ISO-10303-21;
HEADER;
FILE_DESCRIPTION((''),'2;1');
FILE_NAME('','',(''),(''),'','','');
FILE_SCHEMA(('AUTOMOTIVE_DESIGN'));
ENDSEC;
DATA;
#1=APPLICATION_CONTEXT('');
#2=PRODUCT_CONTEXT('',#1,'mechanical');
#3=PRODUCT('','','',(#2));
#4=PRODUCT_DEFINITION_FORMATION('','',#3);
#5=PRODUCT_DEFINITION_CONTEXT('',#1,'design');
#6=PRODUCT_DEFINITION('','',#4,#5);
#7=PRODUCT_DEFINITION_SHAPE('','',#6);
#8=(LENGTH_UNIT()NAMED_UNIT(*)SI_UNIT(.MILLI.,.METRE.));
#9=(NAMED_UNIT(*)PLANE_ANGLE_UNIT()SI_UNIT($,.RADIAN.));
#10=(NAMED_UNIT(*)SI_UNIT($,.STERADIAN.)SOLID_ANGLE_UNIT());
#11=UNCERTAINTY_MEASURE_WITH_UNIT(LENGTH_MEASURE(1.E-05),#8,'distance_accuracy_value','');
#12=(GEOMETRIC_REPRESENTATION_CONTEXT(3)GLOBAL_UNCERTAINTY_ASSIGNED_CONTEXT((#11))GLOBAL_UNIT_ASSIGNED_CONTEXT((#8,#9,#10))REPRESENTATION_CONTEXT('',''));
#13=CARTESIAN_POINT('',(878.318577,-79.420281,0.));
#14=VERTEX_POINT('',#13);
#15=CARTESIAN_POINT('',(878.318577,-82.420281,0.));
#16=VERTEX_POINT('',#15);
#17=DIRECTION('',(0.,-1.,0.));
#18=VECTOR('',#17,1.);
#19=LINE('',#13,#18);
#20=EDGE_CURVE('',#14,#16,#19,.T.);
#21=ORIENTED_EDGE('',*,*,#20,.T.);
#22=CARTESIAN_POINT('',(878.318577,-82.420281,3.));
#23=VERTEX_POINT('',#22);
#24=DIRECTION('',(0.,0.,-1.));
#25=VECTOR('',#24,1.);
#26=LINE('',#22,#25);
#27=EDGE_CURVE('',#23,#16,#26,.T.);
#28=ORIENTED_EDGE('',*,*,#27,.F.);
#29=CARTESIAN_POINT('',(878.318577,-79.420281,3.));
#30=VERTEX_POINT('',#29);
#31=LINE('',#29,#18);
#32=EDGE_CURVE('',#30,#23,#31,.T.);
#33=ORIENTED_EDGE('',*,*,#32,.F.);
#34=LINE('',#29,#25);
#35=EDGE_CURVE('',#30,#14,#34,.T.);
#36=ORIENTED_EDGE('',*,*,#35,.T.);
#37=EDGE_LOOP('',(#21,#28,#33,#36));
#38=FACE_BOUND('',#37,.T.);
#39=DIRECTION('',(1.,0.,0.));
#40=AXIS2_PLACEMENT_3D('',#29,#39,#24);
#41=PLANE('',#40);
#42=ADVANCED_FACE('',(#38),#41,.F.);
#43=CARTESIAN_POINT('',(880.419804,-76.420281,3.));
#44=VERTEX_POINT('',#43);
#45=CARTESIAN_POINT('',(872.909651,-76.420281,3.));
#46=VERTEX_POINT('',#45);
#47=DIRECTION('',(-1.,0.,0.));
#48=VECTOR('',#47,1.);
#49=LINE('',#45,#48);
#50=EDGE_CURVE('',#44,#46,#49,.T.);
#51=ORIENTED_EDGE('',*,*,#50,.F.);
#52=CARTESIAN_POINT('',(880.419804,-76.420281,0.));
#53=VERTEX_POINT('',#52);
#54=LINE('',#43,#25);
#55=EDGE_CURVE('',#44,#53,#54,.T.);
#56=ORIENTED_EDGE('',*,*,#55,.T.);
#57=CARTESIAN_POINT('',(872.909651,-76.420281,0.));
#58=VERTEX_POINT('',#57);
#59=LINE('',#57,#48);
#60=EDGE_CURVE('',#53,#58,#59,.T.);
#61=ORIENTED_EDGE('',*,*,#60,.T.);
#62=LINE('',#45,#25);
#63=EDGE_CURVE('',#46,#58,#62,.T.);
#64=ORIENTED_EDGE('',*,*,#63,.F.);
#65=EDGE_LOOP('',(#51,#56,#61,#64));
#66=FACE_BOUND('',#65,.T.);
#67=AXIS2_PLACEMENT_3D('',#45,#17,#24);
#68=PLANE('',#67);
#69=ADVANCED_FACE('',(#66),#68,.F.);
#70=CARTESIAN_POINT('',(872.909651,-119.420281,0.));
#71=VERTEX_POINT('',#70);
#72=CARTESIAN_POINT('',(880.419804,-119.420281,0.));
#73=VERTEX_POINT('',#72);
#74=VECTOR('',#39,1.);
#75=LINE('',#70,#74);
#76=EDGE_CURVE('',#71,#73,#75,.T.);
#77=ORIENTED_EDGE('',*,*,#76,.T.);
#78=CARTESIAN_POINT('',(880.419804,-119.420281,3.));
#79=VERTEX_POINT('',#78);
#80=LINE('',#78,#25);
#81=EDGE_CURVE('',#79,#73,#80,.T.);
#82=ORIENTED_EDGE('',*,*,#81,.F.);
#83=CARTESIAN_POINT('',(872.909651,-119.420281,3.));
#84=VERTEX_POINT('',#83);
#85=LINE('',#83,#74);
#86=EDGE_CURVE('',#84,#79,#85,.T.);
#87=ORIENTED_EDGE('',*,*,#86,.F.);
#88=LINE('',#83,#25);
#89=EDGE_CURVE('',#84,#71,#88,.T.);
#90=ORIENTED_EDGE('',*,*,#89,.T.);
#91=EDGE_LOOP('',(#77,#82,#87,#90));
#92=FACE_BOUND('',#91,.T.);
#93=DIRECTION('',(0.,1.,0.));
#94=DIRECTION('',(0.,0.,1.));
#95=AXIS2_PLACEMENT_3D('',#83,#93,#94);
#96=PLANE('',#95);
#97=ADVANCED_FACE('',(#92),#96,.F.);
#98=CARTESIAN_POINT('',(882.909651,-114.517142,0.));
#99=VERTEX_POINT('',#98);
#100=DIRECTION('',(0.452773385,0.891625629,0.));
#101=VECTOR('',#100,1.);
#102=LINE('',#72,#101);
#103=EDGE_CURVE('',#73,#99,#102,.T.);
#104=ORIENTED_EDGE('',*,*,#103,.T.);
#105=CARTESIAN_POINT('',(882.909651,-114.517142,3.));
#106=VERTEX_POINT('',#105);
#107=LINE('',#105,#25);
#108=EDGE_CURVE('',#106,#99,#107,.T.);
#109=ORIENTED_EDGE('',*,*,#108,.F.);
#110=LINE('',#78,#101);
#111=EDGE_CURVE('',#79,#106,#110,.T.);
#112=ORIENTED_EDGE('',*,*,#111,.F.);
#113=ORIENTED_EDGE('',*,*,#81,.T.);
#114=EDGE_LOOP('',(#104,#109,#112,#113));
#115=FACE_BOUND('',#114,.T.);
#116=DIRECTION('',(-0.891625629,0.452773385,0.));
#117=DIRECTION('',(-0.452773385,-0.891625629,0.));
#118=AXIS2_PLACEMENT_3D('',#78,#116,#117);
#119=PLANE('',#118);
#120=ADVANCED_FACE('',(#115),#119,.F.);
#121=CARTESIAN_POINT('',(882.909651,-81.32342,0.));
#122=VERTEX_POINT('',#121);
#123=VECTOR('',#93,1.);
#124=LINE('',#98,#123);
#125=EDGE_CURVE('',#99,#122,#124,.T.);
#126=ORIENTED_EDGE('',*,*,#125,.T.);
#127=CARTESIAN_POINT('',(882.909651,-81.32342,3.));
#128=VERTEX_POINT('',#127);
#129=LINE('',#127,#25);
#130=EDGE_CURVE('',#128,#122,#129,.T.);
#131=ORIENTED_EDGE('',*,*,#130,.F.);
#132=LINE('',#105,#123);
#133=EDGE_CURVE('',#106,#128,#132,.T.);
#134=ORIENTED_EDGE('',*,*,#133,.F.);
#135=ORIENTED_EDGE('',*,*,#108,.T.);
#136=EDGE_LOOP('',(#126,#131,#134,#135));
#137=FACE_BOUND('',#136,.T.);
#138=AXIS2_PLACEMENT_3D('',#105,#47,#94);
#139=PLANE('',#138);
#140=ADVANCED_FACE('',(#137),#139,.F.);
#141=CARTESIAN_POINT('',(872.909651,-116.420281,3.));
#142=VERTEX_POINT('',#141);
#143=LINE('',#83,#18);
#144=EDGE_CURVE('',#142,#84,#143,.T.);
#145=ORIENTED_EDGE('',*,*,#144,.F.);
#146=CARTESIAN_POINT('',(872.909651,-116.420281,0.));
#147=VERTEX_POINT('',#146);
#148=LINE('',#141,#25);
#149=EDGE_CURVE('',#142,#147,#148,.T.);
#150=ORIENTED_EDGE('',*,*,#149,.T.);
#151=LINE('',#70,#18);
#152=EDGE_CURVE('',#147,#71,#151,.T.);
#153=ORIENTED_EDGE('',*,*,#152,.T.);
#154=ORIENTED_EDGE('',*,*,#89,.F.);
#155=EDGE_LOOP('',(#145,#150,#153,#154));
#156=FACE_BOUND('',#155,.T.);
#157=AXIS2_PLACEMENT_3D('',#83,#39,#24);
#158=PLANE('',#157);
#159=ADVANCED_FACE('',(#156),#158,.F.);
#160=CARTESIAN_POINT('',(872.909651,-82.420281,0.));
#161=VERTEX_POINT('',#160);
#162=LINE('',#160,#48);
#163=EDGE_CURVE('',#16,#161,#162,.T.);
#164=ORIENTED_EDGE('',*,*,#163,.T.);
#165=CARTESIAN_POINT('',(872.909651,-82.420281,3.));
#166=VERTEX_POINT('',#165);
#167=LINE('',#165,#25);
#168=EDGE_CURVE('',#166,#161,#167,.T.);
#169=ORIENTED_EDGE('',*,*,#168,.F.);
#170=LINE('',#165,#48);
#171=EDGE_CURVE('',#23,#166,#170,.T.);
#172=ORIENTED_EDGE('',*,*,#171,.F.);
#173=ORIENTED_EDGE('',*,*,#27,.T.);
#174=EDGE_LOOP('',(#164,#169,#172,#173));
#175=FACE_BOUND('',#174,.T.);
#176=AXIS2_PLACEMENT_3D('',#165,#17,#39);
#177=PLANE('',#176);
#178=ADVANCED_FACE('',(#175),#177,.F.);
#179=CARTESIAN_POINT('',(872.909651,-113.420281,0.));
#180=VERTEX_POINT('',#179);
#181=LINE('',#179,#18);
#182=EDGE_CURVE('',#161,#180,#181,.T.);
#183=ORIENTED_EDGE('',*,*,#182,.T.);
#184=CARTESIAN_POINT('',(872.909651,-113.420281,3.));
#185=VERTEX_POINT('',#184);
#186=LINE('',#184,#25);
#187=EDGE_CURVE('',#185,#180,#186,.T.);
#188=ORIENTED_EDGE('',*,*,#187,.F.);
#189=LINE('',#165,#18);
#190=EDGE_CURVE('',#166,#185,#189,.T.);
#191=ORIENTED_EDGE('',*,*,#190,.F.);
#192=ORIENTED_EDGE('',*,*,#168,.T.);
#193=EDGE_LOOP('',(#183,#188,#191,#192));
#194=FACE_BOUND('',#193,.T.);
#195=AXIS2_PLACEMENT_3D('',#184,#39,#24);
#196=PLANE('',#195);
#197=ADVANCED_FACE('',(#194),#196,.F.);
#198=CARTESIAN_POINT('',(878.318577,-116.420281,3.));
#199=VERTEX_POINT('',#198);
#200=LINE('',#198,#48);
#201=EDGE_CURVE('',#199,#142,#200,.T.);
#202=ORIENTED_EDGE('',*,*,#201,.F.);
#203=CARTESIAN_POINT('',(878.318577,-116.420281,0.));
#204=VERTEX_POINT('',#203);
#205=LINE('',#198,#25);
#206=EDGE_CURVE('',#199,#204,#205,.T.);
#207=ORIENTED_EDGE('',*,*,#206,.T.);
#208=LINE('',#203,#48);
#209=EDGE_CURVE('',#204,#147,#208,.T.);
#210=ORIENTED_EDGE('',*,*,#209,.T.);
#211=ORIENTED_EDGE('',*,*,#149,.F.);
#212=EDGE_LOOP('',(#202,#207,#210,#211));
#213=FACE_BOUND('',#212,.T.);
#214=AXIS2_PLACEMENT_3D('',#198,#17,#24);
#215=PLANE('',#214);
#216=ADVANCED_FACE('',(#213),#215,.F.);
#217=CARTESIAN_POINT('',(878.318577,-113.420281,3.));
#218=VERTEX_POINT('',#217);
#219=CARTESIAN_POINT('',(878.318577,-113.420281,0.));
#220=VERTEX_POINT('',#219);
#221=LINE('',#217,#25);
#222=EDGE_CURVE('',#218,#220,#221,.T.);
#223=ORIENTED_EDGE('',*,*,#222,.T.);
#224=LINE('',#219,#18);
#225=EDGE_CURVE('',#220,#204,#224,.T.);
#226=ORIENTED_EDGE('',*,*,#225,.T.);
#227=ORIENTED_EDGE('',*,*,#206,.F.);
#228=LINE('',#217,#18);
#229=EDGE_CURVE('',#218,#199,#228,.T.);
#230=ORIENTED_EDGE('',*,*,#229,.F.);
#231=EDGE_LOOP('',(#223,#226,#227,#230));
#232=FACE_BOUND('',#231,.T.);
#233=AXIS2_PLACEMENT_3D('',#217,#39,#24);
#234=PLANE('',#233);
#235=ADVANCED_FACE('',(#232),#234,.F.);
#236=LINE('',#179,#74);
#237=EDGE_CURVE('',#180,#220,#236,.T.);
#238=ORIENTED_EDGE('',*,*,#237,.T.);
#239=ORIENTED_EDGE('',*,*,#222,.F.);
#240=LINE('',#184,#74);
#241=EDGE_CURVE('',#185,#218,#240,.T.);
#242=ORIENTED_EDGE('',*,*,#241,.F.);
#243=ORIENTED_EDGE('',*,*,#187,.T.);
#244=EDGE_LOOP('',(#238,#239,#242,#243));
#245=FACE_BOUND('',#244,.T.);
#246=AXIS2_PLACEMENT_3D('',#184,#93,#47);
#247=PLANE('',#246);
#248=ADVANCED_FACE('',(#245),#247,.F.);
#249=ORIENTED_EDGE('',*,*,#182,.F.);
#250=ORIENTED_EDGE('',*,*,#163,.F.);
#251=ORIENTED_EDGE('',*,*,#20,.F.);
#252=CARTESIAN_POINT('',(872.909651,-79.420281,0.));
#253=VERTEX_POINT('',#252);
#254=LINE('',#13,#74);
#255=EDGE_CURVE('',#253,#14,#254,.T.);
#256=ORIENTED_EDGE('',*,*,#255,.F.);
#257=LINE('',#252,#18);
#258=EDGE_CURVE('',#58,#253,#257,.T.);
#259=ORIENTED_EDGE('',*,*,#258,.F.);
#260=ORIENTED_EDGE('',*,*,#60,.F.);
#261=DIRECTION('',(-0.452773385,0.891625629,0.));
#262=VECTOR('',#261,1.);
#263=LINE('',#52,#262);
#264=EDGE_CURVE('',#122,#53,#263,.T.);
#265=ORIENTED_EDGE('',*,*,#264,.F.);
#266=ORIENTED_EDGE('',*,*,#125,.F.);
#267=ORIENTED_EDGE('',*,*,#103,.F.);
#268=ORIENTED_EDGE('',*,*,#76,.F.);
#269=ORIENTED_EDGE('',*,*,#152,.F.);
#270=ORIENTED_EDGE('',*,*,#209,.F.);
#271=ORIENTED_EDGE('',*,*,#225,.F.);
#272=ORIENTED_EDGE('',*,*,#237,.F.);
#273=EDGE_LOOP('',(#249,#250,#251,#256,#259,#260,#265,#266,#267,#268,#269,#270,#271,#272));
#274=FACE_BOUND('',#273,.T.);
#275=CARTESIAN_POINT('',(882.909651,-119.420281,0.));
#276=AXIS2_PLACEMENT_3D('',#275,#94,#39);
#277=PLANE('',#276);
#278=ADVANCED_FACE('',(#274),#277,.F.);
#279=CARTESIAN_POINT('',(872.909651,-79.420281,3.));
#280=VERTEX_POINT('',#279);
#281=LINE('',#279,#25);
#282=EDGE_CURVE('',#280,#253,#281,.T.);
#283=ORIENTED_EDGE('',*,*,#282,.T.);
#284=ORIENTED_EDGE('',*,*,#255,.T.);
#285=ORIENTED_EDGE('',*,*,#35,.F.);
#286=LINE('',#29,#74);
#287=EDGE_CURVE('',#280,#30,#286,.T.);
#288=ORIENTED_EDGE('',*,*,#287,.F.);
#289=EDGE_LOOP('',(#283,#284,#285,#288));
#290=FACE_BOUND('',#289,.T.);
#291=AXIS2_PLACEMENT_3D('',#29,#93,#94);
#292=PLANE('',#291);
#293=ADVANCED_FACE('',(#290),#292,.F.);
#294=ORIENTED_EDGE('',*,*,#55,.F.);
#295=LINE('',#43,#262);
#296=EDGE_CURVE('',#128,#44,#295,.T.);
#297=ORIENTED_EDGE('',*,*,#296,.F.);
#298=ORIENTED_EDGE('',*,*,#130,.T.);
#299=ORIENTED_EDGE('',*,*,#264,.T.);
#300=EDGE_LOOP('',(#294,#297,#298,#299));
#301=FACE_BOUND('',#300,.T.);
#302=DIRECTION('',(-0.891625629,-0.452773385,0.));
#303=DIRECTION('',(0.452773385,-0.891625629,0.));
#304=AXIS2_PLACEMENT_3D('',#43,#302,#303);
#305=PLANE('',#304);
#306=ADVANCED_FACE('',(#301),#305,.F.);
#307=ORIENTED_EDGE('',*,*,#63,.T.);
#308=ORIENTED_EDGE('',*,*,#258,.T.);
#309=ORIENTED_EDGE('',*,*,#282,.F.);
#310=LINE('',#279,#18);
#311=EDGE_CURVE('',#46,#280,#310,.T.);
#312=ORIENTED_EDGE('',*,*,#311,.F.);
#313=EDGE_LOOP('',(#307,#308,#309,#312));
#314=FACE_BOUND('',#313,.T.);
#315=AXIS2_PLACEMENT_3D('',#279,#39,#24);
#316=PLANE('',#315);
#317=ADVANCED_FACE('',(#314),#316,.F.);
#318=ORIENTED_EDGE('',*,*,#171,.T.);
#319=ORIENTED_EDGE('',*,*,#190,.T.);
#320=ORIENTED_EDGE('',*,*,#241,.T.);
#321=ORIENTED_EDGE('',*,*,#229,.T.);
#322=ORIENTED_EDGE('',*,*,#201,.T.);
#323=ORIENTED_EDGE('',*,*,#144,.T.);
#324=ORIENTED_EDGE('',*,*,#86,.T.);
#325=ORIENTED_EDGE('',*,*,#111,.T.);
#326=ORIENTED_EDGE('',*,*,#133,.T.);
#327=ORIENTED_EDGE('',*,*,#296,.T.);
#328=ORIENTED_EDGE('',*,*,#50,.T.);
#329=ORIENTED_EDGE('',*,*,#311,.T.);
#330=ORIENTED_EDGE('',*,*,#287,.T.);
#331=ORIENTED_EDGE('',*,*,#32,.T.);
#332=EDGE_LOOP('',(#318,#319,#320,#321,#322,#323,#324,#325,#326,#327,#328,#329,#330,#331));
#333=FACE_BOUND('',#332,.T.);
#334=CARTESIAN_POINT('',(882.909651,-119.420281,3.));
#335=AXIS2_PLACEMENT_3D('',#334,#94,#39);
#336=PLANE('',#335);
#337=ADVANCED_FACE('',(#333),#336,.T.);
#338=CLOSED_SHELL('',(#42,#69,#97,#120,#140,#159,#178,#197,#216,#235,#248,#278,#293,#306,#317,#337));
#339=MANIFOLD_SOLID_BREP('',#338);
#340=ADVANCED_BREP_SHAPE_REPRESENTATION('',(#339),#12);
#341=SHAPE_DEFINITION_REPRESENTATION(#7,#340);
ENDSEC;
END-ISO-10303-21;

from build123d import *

# Parameters (mm, degrees)
BASE_EXTRUDE_DEPTH = 3


with BuildPart() as part:
    # Sketch1 → Base-Extrude (new body)
    with BuildSketch(Plane.XY):
        Polygon((882.909650659, -114.517142196), (882.909650659, -81.323420009), (880.419804328, -76.420281102), (872.909650659, -76.420281102), (872.909650659, -79.420281102), (878.318576624, -79.420281102), (878.318576624, -82.420281102), (872.909650659, -82.420281102), (872.909650659, -103.499568009), (872.909650659, -113.420281102), (878.318576624, -113.420281102), (878.318576624, -116.420281102), (872.909650659, -116.420281102), (872.909650659, -119.420281102), (880.419804328, -119.420281102), align=None)
    extrude(amount=BASE_EXTRUDE_DEPTH)


solid = part.part
